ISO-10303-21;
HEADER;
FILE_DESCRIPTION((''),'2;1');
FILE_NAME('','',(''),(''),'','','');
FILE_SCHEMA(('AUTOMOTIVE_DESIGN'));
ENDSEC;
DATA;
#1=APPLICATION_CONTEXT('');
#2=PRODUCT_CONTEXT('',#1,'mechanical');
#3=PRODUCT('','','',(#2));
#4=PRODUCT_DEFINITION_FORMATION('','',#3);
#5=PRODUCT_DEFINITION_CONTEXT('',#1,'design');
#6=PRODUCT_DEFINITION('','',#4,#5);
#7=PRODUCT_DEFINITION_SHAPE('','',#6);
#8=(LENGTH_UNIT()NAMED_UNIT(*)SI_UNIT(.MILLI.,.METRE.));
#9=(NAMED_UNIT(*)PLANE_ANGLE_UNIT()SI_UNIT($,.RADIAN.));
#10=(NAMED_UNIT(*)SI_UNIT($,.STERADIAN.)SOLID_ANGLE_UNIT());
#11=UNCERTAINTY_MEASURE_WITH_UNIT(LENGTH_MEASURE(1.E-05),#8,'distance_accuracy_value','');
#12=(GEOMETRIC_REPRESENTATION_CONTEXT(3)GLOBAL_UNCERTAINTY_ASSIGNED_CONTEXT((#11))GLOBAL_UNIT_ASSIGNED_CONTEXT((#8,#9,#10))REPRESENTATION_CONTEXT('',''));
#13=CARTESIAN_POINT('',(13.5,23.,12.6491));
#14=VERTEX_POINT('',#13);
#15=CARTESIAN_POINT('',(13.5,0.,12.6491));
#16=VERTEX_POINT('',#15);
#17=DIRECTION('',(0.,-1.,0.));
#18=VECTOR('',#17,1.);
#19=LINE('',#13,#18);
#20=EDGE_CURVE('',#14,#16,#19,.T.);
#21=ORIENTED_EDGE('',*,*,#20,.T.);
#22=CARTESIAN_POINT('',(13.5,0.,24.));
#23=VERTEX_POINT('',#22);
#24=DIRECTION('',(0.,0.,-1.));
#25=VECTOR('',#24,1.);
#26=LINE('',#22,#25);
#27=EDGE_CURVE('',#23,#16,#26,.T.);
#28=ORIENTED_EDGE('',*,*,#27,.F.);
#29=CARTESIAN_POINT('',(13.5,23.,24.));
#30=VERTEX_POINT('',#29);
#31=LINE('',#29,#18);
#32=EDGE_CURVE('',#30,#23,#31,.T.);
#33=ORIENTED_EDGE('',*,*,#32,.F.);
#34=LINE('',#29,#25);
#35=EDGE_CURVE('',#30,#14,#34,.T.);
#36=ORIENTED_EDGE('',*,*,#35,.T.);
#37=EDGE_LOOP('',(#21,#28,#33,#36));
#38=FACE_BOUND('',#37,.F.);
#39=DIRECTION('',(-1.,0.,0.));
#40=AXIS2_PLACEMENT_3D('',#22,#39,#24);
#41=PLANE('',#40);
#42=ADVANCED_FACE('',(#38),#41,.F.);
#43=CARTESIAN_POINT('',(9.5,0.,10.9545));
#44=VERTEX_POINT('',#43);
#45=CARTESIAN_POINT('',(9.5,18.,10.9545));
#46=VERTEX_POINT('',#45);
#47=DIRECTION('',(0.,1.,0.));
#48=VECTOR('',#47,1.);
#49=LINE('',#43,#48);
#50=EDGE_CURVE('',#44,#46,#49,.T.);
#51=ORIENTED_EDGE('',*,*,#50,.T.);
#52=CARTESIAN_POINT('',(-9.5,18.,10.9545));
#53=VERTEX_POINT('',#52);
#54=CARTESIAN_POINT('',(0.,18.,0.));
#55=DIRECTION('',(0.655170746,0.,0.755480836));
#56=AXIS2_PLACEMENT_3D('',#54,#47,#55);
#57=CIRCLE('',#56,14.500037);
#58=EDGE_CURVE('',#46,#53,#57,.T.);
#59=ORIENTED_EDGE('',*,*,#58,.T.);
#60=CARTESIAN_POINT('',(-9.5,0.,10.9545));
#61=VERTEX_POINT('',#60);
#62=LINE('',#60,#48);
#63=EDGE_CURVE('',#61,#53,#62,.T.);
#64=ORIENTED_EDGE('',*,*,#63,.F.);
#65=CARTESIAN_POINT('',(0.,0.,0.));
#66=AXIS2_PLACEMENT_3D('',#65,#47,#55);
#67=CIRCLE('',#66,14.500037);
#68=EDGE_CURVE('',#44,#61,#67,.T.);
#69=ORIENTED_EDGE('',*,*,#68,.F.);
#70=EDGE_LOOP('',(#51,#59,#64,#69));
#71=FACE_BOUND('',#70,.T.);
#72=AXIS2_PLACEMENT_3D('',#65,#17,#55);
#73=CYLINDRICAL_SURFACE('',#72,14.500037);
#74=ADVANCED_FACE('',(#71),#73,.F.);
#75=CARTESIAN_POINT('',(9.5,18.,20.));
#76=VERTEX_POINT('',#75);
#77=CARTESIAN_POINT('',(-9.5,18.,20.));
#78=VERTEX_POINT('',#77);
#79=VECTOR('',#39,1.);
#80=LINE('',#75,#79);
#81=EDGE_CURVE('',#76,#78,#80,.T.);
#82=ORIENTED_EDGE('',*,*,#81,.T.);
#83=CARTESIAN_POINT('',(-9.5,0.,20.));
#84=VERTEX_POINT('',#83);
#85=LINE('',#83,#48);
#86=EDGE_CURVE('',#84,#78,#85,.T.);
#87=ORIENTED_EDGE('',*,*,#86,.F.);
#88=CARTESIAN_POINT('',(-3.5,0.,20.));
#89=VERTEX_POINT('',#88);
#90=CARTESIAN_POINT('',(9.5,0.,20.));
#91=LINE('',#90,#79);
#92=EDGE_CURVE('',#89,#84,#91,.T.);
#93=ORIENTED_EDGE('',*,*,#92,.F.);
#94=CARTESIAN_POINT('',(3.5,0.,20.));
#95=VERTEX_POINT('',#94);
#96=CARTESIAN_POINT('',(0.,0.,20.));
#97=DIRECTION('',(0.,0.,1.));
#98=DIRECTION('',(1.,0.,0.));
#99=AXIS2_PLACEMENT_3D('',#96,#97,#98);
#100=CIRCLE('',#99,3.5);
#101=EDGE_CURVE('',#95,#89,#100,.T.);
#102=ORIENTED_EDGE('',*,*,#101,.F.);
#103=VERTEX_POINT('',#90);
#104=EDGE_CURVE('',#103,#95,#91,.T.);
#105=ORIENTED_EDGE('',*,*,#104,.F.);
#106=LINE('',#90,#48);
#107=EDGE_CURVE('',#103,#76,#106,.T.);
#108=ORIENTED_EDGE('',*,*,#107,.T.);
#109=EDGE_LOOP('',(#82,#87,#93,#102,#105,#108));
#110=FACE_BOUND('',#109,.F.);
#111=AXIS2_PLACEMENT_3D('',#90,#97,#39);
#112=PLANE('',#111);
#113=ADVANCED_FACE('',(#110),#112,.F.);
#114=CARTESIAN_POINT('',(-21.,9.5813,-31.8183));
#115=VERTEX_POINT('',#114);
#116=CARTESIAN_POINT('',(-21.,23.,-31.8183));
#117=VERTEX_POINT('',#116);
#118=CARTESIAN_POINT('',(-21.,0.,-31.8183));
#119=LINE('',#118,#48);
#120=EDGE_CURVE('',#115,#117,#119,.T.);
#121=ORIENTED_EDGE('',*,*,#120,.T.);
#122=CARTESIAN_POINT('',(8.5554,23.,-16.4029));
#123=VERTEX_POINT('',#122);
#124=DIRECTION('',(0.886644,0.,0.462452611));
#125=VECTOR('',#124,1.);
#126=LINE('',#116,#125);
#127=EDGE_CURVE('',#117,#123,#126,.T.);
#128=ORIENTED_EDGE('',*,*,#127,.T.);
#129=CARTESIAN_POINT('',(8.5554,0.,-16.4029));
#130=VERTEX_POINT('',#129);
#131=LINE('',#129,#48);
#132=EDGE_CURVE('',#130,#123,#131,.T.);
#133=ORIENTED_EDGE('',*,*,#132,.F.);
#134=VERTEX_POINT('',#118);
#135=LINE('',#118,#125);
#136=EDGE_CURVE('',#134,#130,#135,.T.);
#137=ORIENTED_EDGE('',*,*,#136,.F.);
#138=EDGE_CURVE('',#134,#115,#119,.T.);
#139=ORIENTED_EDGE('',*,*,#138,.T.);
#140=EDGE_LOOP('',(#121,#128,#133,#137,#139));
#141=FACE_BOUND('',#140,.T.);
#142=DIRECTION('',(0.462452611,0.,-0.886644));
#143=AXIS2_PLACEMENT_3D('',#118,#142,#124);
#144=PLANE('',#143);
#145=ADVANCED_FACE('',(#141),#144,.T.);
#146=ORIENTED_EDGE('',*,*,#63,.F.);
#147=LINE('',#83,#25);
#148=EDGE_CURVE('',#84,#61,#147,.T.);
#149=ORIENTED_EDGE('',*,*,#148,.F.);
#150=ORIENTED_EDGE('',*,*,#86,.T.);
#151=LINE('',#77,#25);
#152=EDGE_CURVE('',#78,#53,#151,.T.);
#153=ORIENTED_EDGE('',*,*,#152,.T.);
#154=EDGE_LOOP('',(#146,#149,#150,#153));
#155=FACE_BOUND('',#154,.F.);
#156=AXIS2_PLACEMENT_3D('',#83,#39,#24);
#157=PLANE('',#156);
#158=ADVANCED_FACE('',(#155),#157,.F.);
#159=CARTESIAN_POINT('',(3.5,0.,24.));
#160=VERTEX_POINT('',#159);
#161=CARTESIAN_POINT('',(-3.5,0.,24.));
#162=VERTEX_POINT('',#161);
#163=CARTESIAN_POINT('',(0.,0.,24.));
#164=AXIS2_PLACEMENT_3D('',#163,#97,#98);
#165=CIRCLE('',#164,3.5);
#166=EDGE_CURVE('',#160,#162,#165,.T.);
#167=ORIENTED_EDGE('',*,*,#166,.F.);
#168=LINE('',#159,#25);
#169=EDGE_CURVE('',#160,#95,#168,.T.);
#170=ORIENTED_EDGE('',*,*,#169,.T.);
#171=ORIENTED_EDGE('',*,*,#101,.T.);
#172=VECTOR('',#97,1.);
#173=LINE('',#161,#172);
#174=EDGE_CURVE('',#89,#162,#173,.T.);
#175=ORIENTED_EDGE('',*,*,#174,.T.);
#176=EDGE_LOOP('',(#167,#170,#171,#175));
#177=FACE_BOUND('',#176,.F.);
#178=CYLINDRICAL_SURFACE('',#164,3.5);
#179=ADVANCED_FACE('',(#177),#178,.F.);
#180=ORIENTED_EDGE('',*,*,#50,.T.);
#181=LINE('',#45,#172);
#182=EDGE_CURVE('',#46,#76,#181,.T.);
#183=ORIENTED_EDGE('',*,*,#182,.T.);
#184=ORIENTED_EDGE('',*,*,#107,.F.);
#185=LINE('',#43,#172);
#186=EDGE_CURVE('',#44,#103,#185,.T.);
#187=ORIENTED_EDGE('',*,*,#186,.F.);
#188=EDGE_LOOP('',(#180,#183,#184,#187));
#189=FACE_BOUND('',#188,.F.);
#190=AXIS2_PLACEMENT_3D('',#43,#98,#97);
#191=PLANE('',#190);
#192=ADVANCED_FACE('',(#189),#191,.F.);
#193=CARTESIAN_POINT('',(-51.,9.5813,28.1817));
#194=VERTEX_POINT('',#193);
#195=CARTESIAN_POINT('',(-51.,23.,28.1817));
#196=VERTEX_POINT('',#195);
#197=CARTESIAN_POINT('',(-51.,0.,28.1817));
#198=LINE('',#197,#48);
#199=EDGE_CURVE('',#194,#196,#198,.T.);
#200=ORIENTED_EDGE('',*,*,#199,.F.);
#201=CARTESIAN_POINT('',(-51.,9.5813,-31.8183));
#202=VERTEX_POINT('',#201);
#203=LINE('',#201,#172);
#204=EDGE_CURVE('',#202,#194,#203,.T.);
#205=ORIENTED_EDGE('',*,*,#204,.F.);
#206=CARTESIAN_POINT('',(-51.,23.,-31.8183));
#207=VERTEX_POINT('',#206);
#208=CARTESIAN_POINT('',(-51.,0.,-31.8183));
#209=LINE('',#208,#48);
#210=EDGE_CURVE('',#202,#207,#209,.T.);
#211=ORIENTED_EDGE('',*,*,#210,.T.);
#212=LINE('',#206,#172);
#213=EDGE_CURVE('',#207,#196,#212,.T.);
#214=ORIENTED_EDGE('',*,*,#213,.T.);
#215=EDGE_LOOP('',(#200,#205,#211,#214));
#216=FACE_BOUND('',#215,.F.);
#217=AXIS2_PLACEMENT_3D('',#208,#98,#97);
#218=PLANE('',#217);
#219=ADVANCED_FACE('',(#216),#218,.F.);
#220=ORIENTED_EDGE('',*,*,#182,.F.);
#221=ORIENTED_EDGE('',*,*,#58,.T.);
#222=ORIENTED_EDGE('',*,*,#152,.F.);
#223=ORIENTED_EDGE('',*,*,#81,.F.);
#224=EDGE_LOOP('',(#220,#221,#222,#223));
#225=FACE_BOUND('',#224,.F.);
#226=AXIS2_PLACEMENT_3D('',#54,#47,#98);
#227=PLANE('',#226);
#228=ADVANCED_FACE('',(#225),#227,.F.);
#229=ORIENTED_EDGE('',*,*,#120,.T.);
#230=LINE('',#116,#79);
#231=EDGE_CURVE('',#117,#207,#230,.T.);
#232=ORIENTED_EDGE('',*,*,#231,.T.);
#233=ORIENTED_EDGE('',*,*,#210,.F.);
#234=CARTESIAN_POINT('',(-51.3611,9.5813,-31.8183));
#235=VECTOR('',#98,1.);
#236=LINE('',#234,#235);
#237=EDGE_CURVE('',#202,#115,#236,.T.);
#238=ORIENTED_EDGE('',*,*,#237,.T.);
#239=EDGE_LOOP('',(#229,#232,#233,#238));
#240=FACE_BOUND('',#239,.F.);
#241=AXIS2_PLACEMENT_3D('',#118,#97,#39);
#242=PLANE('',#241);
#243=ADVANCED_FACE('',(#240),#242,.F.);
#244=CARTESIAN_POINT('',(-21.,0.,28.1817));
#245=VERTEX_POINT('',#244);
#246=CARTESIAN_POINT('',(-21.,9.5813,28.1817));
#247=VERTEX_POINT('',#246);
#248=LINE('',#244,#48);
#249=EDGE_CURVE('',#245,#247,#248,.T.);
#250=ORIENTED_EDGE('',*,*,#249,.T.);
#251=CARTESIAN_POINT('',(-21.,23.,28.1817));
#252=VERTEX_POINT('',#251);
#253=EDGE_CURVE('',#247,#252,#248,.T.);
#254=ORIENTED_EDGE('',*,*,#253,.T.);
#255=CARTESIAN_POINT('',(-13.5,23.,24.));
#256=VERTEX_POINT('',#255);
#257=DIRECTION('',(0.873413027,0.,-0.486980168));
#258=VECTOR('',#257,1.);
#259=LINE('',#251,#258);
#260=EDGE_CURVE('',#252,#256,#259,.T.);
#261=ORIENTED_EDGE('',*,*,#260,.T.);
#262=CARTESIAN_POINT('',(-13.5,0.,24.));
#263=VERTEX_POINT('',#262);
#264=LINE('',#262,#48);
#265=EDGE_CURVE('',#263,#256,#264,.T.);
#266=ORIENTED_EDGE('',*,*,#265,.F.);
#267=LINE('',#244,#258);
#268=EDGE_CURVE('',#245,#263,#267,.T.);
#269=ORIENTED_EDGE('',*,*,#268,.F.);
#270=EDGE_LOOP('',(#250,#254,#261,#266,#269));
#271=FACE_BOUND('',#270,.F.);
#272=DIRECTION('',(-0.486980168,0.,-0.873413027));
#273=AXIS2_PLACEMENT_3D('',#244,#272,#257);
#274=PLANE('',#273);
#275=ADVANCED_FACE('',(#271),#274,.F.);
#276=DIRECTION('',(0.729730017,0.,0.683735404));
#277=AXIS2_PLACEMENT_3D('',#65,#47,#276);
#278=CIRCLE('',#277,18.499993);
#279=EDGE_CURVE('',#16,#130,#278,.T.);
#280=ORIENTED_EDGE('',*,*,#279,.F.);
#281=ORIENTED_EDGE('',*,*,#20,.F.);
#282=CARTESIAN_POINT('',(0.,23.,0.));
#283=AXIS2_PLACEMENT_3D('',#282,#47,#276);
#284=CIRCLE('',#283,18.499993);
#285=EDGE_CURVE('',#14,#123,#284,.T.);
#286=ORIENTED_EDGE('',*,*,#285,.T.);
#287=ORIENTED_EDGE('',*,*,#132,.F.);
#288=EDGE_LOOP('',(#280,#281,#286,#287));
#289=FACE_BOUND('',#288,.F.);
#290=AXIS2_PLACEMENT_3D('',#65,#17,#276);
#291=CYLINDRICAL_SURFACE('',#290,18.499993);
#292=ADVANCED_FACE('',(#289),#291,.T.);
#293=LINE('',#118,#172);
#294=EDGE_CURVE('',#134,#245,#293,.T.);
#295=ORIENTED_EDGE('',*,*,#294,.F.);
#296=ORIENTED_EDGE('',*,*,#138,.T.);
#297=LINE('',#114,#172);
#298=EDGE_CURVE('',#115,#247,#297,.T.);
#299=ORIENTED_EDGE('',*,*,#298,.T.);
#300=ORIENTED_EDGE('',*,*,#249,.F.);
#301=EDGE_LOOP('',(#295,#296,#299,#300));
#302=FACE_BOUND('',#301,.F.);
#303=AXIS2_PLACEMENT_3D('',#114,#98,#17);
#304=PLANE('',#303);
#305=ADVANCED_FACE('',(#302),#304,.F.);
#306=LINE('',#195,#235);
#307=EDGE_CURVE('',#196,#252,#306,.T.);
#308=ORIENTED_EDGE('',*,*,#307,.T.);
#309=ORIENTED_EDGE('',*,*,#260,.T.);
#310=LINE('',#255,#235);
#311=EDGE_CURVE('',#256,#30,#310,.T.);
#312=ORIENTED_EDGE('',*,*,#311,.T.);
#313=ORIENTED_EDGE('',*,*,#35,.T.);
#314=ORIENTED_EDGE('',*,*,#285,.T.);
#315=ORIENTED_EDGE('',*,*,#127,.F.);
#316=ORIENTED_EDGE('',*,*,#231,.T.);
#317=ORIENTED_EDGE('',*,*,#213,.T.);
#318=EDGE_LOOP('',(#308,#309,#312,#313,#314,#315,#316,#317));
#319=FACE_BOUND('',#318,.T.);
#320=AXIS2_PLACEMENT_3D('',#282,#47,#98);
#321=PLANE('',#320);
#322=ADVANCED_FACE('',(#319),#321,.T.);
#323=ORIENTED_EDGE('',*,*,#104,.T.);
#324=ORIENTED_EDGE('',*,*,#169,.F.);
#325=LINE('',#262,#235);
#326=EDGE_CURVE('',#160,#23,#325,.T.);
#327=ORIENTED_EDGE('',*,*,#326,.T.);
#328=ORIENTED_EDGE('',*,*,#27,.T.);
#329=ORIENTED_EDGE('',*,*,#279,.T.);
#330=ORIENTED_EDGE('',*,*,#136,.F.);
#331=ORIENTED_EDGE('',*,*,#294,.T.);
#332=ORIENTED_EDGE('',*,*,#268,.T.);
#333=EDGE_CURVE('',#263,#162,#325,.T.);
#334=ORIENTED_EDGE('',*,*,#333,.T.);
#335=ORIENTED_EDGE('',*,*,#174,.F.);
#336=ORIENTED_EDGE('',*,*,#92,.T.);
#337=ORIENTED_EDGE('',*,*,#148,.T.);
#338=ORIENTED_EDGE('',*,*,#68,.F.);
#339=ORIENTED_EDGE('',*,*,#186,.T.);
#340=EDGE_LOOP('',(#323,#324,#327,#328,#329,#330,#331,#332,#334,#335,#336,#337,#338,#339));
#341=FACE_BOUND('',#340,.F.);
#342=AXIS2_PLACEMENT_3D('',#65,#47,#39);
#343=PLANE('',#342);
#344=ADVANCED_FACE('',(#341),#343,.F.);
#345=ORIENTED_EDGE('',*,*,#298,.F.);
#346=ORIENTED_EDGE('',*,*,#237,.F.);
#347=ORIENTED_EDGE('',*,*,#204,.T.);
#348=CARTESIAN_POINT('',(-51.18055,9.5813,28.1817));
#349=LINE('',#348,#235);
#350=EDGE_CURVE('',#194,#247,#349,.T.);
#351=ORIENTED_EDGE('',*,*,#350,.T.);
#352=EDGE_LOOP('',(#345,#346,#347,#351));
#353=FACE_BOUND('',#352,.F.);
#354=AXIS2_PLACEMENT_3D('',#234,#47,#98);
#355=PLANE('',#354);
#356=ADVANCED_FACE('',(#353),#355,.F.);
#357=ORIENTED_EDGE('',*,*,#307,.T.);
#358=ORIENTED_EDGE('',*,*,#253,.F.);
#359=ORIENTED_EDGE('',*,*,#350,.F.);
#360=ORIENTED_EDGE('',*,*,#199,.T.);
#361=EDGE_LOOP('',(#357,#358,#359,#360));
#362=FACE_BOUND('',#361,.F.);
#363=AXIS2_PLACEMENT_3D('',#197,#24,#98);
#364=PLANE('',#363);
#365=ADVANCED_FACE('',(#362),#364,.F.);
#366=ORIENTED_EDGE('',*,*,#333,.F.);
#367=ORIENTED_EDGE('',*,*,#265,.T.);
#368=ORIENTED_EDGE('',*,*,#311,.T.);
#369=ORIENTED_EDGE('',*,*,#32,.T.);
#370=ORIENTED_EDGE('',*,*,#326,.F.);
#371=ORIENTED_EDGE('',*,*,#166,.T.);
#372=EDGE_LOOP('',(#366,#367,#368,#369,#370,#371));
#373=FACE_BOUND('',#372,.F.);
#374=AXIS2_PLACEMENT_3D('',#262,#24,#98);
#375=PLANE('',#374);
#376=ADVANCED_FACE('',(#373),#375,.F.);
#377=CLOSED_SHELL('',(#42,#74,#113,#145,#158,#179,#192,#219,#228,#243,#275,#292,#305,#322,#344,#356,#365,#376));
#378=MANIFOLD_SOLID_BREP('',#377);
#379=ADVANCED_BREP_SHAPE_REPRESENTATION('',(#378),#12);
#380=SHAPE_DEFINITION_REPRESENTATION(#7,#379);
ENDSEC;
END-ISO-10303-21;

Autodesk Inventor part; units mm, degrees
ref_plane "YZ Plane" through (0, 0, 0) normal (1, 0, 0) x (0, 1, 0)
ref_plane "XZ Plane" through (0, 0, 0) normal (0, 1, 0) x (-1, 0, 0)
ref_plane "XY Plane" through (0, 0, 0) normal (0, 0, 1) x (1, 0, 0)
sketch "Sketch1" plane through (0, 0, 0) normal (0, 1, 0) x (-1, 0, 0)
  arc A0 (-9.5, 10.9545) -> (9.5, 10.9545) centre (0, 0) ccw
  line L0 (-9.5, 10.9545) -> (-9.5, 20)
  line L1 (-9.5, 20) -> (9.5, 20)
  line L2 (9.5, 20) -> (9.5, 10.9545)
  line L3 (13.5, 12.6491) -> (13.5, 24)
  line L4 (13.5, 24) -> (-13.5, 24)
  line L5 (-13.5, 24) -> (-13.5, 12.6491)
  arc A1 (-13.5, 12.6491) -> (13.5, 12.6491) centre (0, 0) ccw
  point P0 (0, -20)
  point P1 (-9.5, 15)
  dimension "d0" = 0
  dimension "d1" = 29
  dimension "d6" = 20
  dimension "d7" = 19
  dimension "d8" = 4
extrude "Extrusion1" add sketch "Sketch1" along normal blind 18
sketch "Sketch2" plane through (0, 18, 0) normal (0, 1, 0) x (1, 0, 0)
  arc A0 (13.5, -12.6491) -> (-13.5, -12.6491) centre (0, 0) ccw
  line L0 (-13.5, -12.6491) -> (-13.5, -24) projected
  line L1 (-13.5, -24) -> (13.5, -24)
  line L2 (13.5, -24) -> (13.5, -12.6491)
  line L3 (-13.5, -12.6491) -> (-13.5, -24)
extrude "Extrusion2" add sketch "Sketch2" along normal blind 5
sketch "Sketch3" plane through (-13.5, 0, 24) normal (0, 0, 1) x (1, 0, 0)
  circle A0 centre (13.5, 0) radius 3.5
  dimension "d13" = 7
extrude "Extrusion3" cut sketch "Sketch3" against normal blind 5
sketch "Sketch4" plane through (0, 0, 0) normal (0, -1, 0) x (1, 0, 0)
  line L0 (0, 0) -> (-21, 0)
  line L1 (-21, -31.8183) -> (-51, -31.8183)
  line L2 (-51, -31.8183) -> (-51, 28.1817)
  line L3 (-51, 28.1817) -> (-21, 28.1817)
  line L4 (-21, 28.1817) -> (-21, -31.8183)
  line L5 (-13.5, 24) -> (13.5, 24) projected
  line L6 (-21, 28.1817) -> (-13.5, 24)
  line L7 (-21, -31.8183) -> (8.5554, -16.4029)
  arc A0 (-13.5, 12.6491) -> (13.5, 12.6491) centre (0, 0) ccw projected
  arc A1 (-13.5, 12.6491) -> (8.5554, -16.4029) centre (0, 0) ccw
  line L8 (-13.5, 12.6491) -> (-13.5, 24) projected
  line L9 (-13.5, 24) -> (-13.5, 12.6491)
  dimension "d19" = 21
  dimension "d20" = 30
  dimension "d21" = 60
extrude "Extrusion4" add sketch "Sketch4" against normal blind 23
sketch "Sketch6" plane through (-21, 0, -31.8183) normal (0, 0, -1) x (-1, 0, 0)
  line L0 (0, 0) -> (-29.5554, 0) projected
  line L1 (0, 0) -> (30.3611, 0)
  line L2 (30.3611, 0) -> (30.3611, 9.5813)
  line L3 (30.3611, 9.5813) -> (0, 9.5813)
  line L4 (0, 9.5813) -> (0, 0)
  point P0 (-21, 0)
  dimension "d26" = 9.5813
extrude "Extrusion5" cut sketch "Sketch6" against normal through all
properties part number "pitch_motor_standoff_v1"
